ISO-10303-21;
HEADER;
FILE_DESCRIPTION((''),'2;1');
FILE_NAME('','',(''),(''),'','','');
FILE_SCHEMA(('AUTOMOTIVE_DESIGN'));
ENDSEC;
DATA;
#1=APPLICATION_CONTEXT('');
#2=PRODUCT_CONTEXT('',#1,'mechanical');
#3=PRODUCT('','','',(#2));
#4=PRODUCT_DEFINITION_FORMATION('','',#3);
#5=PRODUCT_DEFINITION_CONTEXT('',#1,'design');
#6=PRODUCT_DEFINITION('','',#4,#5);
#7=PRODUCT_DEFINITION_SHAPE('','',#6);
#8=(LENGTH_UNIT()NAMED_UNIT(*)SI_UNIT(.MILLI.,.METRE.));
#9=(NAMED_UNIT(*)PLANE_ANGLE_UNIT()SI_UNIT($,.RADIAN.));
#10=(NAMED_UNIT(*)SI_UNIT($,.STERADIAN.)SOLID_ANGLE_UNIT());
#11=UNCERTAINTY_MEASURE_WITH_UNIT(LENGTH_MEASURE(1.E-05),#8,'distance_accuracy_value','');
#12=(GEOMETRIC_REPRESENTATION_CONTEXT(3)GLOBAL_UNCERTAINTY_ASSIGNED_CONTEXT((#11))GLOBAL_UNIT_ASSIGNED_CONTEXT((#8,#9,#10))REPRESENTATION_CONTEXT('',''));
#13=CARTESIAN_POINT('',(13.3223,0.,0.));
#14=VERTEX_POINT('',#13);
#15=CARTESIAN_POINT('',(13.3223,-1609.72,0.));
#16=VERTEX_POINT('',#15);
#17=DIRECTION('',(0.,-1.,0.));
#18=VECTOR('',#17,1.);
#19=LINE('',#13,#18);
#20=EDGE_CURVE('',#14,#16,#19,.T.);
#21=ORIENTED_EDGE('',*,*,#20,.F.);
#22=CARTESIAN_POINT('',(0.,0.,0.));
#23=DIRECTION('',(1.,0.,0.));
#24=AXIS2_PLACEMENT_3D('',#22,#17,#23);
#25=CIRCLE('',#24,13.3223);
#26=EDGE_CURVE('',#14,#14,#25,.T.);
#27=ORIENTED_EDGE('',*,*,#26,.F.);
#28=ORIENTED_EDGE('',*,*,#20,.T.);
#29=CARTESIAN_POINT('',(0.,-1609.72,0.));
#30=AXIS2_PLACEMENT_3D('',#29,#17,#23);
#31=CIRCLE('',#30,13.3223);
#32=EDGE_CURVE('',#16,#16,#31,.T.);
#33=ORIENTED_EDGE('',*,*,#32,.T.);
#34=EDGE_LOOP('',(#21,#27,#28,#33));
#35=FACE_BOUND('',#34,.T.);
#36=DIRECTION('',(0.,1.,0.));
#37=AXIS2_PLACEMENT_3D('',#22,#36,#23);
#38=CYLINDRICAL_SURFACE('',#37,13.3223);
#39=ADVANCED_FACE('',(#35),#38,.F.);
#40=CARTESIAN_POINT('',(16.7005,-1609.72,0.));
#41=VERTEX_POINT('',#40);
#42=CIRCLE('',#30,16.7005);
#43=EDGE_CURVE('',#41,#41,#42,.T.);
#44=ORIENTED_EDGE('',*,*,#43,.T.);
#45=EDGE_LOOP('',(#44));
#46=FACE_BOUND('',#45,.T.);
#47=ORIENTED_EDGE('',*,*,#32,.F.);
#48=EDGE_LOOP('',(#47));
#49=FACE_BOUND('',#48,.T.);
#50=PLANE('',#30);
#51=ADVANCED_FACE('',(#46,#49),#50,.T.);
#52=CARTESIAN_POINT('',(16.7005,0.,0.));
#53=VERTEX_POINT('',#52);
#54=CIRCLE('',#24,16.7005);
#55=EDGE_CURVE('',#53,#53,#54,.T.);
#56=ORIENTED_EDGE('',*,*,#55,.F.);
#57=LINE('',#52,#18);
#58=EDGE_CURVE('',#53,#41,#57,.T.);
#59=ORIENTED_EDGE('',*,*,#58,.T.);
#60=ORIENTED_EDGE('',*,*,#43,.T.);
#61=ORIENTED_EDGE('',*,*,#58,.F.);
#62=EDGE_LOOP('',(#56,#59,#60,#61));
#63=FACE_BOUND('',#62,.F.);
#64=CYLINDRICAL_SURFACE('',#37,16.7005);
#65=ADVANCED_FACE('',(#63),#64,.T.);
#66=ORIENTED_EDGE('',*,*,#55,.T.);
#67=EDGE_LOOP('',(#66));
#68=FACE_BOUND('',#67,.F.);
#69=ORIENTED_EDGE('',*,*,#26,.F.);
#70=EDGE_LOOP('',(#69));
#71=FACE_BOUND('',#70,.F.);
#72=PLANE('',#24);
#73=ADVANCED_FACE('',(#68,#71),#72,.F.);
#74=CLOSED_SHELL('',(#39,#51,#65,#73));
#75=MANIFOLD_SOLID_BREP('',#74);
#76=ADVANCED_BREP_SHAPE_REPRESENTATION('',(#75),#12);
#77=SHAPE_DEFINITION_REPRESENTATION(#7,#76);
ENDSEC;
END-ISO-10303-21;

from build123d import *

# Parameters (mm, degrees)
CYLINDER_R          = 16.7005
CYLINDER_DEPTH      = 1609.72
CYLINDER_ROLL_ANGLE = 90
THICKNESS001_T      = -3.3782


with BuildPart() as part:
    # Cylinder → Cylinder (new body)
    with BuildSketch(Plane.XY):
        Circle(CYLINDER_R)
    extrude(amount=CYLINDER_DEPTH)


with BuildPart() as part_1:
    # Cylinder roll: moved
    add(part.part.rotate(Axis((0, 0, 0), (1, 0, 0)), CYLINDER_ROLL_ANGLE))


with BuildPart() as part_2:
    # Cylinder placement: moved
    add(part_1.part)

    # Thickness001
    thickness001_openings = [part_2.faces().sort_by_distance(p)[0] for p in [
        (0, 0, 0),
        (0, -1609.72, 0),
    ]]
    offset(amount=THICKNESS001_T, openings=thickness001_openings)


solid = part_2.part
